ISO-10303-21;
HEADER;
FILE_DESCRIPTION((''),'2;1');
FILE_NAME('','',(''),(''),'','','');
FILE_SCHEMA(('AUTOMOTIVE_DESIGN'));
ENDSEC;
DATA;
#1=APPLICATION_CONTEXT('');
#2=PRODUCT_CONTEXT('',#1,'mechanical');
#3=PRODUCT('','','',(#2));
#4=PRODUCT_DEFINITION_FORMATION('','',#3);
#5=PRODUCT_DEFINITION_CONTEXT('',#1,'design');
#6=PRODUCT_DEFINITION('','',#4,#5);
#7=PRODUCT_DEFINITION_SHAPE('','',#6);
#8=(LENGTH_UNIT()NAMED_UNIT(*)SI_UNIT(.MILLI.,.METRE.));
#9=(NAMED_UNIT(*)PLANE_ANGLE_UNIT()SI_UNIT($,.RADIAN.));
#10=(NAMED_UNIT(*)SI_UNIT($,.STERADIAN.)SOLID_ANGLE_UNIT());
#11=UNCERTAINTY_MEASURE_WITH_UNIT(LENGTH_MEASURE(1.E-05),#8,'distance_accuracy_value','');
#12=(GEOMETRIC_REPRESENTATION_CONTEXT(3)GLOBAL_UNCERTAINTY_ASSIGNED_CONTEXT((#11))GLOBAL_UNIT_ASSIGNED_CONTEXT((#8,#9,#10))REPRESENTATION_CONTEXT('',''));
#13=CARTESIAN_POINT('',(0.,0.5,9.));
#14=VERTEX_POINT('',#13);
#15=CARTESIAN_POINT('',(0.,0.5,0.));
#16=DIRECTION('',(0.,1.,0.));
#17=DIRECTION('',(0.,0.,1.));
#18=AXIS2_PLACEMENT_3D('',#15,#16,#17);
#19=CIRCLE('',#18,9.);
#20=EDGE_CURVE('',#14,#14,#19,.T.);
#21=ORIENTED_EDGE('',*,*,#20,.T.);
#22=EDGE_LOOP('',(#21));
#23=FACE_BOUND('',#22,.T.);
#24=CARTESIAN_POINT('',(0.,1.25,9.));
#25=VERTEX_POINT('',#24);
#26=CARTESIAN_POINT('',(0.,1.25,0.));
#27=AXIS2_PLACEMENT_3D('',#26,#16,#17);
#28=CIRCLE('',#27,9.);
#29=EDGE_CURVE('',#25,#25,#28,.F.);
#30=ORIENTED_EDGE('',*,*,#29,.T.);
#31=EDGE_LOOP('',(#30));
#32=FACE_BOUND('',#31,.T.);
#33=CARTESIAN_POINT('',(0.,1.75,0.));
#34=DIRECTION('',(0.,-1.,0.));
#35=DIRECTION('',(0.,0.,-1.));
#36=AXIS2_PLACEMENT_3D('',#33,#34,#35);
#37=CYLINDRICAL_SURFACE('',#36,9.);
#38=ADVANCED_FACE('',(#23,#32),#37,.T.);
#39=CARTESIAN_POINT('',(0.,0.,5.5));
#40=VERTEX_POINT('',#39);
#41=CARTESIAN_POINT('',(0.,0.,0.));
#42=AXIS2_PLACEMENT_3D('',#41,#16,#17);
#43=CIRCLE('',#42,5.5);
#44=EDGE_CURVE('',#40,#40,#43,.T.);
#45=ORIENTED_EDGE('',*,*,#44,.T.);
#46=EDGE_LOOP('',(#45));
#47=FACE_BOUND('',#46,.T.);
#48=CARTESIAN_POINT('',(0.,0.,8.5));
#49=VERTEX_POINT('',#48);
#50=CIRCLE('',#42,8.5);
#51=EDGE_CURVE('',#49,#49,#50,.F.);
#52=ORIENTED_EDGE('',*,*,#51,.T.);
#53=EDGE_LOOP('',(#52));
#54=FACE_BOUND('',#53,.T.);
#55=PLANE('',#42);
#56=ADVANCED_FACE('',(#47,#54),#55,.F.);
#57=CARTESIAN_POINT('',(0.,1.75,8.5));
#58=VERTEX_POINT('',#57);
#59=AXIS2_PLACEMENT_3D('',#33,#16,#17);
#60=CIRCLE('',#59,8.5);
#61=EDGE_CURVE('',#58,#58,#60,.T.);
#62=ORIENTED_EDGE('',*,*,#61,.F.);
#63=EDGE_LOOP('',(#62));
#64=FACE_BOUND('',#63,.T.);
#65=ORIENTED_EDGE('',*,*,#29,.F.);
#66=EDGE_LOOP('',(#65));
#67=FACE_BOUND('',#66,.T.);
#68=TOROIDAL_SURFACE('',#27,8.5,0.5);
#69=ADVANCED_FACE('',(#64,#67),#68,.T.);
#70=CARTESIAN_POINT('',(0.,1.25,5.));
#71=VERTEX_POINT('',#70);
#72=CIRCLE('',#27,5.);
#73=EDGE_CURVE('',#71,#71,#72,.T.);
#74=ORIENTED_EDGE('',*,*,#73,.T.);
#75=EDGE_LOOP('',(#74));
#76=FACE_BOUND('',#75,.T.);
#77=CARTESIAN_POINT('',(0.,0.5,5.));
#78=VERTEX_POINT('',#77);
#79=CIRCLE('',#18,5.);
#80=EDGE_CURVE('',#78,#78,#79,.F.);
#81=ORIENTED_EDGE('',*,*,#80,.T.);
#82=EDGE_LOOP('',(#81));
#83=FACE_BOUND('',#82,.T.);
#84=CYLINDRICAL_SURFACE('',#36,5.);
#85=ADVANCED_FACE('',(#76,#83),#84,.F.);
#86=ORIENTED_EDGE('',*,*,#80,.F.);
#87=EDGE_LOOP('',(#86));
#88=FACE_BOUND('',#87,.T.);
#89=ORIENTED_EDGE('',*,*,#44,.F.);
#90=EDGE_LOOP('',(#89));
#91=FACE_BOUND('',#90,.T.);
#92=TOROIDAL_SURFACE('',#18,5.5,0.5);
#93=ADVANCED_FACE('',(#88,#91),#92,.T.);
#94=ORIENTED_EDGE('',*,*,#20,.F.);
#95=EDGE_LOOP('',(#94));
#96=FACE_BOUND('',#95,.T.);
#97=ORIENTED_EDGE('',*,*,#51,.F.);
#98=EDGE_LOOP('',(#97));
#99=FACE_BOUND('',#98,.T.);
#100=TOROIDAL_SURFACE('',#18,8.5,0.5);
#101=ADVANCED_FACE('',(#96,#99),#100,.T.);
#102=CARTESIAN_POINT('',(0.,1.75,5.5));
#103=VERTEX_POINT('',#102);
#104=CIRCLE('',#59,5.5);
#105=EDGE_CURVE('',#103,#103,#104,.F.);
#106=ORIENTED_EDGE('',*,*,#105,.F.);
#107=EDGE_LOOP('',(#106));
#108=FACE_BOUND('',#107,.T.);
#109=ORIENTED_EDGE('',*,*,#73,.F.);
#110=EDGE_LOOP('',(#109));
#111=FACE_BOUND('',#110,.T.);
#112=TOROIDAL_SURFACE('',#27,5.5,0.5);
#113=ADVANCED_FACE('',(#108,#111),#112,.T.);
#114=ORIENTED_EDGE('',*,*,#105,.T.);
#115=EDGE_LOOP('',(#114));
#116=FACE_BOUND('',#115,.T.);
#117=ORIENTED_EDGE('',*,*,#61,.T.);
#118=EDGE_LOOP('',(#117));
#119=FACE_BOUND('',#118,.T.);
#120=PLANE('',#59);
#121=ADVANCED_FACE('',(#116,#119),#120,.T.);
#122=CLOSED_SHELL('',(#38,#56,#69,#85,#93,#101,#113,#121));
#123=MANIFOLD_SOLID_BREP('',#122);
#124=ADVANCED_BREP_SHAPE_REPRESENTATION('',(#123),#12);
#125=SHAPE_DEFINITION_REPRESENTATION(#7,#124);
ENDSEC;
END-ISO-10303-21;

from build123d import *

# Parameters (mm, degrees)
SKETCH1_R           = 9
SKETCH1_R_2         = 5
BOSS_EXTRUDE1_DEPTH = 1.75
FILLET1_R           = 0.5


with BuildPart() as part:
    # Sketch1 → Boss-Extrude1 (new body)
    with BuildSketch(Plane(origin=(0, 0, 0), x_dir=(1, 0, 0), z_dir=(0, 1, 0))):
        Circle(SKETCH1_R)
        Circle(SKETCH1_R_2, mode=Mode.SUBTRACT)
    extrude(amount=BOSS_EXTRUDE1_DEPTH)

    # Fillet1
    fillet1_edges = [part.edges().sort_by_distance(p)[0] for p in [
        (-9, 0, 0),
        (-9, 1.75, 0),
        (-5, 0, 0),
        (-5, 1.75, 0),
    ]]
    fillet(fillet1_edges, radius=FILLET1_R)


solid = part.part
